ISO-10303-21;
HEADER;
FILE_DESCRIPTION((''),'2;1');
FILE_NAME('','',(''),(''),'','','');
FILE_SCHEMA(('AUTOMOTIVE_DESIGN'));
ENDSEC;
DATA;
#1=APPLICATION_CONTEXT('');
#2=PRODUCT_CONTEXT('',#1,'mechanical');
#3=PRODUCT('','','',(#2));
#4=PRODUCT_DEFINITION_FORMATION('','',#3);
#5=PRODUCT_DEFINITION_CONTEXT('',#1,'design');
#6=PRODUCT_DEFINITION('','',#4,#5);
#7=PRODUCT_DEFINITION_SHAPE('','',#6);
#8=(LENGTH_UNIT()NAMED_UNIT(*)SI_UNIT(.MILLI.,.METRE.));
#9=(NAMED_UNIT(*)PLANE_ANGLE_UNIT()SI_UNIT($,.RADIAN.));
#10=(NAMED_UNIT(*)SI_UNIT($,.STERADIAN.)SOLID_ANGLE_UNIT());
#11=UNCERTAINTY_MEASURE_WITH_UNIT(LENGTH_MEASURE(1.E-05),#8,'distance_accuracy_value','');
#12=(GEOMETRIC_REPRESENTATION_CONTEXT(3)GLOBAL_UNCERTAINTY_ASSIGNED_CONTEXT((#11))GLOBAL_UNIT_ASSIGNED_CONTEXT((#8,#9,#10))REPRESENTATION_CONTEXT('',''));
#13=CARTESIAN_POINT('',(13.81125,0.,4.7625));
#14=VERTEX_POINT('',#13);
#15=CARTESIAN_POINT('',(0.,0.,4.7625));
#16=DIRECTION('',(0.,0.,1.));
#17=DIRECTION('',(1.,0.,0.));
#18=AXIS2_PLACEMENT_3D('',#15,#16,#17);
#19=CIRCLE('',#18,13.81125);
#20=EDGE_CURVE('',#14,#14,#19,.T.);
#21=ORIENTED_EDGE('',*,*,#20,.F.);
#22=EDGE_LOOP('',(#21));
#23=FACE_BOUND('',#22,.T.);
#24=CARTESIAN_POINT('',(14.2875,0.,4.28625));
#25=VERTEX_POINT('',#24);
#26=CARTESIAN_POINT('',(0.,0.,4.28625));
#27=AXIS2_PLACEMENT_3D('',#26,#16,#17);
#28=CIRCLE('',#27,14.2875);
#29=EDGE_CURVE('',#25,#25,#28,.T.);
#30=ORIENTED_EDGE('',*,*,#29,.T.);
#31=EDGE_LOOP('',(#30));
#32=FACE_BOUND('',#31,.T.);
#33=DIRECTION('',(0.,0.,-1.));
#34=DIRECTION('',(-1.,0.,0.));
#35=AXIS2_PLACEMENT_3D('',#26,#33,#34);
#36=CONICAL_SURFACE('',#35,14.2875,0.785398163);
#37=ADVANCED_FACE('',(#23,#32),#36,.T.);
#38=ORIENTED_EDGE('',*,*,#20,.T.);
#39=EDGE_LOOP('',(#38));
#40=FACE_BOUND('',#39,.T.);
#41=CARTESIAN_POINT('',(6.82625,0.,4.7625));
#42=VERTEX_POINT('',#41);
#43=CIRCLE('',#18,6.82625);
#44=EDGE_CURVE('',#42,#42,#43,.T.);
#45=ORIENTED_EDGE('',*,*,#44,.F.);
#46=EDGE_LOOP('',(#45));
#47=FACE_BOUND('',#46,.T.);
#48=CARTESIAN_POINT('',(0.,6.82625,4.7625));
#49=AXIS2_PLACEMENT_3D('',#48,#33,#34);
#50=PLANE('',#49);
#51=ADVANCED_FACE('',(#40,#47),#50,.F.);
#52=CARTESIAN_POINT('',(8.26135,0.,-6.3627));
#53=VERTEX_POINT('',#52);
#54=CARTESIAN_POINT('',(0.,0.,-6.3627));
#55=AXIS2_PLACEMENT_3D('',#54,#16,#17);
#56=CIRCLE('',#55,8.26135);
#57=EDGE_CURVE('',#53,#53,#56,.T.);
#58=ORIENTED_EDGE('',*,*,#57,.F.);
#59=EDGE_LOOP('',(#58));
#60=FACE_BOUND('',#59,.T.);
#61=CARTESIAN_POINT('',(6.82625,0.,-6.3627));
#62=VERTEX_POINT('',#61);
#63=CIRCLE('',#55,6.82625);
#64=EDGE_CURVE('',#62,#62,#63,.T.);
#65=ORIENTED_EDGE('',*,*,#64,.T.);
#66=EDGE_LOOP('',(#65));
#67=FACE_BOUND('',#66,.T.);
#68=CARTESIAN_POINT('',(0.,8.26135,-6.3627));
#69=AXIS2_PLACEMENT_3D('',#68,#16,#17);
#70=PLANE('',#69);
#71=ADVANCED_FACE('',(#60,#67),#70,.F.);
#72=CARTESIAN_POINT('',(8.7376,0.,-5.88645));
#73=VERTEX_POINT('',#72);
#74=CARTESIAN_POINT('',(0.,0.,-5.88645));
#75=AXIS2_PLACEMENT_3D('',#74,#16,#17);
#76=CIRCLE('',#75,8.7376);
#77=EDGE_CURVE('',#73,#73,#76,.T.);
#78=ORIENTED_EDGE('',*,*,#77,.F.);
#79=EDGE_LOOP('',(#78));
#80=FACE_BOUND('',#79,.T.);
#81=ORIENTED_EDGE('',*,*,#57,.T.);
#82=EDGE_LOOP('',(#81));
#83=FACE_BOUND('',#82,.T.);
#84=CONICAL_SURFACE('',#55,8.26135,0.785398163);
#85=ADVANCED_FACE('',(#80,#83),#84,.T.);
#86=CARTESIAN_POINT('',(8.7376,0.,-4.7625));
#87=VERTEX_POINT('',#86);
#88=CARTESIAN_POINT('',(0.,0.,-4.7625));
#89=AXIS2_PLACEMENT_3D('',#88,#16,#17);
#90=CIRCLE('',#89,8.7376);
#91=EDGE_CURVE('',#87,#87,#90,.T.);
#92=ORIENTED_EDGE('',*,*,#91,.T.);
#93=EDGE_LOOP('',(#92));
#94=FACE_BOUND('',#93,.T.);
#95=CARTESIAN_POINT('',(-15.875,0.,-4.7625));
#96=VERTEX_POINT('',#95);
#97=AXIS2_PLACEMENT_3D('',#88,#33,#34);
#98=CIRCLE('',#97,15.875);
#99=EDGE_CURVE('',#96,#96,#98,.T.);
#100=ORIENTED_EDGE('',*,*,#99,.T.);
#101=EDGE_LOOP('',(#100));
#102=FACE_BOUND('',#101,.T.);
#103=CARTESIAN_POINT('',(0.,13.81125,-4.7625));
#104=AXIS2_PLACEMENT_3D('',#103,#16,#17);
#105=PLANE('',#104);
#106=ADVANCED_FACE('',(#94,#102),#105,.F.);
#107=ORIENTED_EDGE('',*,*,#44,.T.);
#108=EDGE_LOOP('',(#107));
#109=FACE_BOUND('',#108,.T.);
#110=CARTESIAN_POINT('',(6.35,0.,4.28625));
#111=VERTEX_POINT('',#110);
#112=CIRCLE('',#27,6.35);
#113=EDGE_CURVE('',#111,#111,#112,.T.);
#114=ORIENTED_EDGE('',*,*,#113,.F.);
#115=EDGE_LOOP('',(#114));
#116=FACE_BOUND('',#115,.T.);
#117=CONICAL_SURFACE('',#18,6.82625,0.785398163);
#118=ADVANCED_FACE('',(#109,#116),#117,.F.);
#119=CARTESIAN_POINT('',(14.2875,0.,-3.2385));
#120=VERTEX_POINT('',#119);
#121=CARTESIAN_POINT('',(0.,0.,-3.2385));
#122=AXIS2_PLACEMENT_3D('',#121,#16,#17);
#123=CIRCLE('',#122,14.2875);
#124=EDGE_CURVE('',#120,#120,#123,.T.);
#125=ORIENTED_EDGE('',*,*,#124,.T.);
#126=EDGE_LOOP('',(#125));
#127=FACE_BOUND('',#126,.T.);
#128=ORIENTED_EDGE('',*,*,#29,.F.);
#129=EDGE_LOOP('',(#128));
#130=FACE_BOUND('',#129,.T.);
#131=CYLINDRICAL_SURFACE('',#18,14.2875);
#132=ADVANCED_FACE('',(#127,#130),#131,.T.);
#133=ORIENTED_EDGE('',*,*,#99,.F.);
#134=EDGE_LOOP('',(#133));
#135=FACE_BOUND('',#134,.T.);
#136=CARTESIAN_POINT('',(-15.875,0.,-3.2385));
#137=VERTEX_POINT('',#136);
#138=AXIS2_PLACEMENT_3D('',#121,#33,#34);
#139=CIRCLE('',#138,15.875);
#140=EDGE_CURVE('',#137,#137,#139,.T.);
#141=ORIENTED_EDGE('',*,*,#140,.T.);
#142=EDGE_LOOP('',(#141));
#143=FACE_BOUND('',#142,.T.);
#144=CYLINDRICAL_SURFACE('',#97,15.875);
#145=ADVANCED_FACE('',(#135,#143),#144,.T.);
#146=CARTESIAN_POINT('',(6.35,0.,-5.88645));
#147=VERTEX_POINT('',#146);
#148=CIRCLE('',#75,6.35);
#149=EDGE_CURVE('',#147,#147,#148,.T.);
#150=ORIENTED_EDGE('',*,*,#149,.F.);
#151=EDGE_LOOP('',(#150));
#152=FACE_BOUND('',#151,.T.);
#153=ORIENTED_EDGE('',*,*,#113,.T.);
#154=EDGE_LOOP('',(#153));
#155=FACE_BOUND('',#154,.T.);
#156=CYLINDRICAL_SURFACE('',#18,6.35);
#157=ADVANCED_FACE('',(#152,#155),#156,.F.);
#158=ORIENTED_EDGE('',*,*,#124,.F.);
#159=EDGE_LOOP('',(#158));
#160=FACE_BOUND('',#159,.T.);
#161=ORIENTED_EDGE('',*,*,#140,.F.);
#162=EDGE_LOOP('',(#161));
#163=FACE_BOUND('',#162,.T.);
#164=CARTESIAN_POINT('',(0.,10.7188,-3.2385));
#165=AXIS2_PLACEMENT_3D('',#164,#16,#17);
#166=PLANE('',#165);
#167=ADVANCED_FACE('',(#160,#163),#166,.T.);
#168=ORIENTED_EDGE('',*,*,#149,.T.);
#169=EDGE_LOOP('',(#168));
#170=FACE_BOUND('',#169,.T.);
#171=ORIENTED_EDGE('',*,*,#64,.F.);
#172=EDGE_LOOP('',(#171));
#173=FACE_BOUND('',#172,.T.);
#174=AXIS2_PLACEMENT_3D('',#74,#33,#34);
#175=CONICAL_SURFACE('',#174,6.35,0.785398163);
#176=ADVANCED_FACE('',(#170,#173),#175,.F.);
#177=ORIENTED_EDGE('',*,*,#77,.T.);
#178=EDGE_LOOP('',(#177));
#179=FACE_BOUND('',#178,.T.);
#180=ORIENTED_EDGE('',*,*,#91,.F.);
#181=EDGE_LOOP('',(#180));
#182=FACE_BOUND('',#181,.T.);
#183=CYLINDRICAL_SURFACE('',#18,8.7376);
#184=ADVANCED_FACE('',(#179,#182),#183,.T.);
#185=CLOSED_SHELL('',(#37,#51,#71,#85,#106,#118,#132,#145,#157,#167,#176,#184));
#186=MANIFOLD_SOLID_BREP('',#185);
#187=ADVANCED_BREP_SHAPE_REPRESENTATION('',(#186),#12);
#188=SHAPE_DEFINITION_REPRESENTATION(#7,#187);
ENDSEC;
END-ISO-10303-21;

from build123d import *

# Parameters (mm, degrees)
SKETCH6_W           = 1.524
SKETCH6_H           = 5.1562
CIRPATTERN1_COUNT   = 12
SKETCH7_R           = 13.81125
SKETCH7_R_2         = 6.82625
BOSS_EXTRUDE1_DEPTH = 9.525


with BuildPart() as part:
    # Sketch1 → Revolve1 (revolve)
    with BuildSketch(Plane(origin=(0, 0, 0), x_dir=(0, 0, -1), z_dir=(1, 0, 0)), mode=Mode.PRIVATE) as revolve1_sk:
        with BuildLine():
            Line((4.28625, 14.2875), (-4.28625, 14.2875))
            Line((-4.28625, 14.2875), (-4.7625, 13.81125))
            Line((-4.7625, 13.81125), (-4.7625, 10.7188))
            Line((-4.7625, 10.7188), (-2.347405, 10.7188))
            ThreePointArc((-2.347405, 10.7188), (0, 12.7), (2.347405, 10.7188))
            Line((2.347405, 10.7188), (4.7625, 10.7188))
            Line((4.7625, 10.7188), (4.7625, 13.81125))
            Line((4.7625, 13.81125), (4.28625, 14.2875))
        make_face()
    revolve(revolve1_sk.sketch.rotate(Axis((0, 0, 4.7625), (0, 0, -1)), 90), axis=Axis((0, 0, 4.7625), (0, 0, -1)))

    # Sketch6 → Revolve6 (revolve)
    with BuildSketch(Plane(origin=(0, 0, 0), x_dir=(0, 0, -1), z_dir=(1, 0, 0)), mode=Mode.PRIVATE) as revolve6_sk:
        with Locations((4.0005, 13.2969)):
            Rectangle(SKETCH6_W, SKETCH6_H)
    revolve(revolve6_sk.sketch.rotate(Axis((0, 0, -4.7625), (0, 0, 1)), 270), axis=Axis((0, 0, -4.7625), (0, 0, 1)))



with BuildPart() as body_2:
    # Sketch3 → Revolve3 (revolve)
    with BuildSketch(Plane(origin=(0, 0, 0), x_dir=(0, 0, -1), z_dir=(1, 0, 0)), mode=Mode.PRIVATE) as revolve3_sk:
        with BuildLine():
            Line((-4.7625, 6.82625), (-4.7625, 8.26135))
            Line((-4.7625, 8.26135), (-4.28625, 8.7376))
            Line((-4.28625, 8.7376), (-1.780538, 8.7376))
            ThreePointArc((-1.780538, 8.7376), (0, 7.9375), (1.780538, 8.7376))
            Line((1.780538, 8.7376), (5.88645, 8.7376))
            Line((5.88645, 8.7376), (6.3627, 8.26135))
            Line((6.3627, 8.26135), (6.3627, 6.82625))
            Line((6.3627, 6.82625), (5.88645, 6.35))
            Line((5.88645, 6.35), (-4.28625, 6.35))
            Line((-4.28625, 6.35), (-4.7625, 6.82625))
        make_face()
    revolve(revolve3_sk.sketch.rotate(Axis((0, 0, 4.7625), (0, 0, -1)), 90), axis=Axis((0, 0, 4.7625), (0, 0, -1)))


with BuildPart() as body_3:
    # Sketch4 → Revolve4 (revolve)
    with BuildSketch(Plane(origin=(0, 0, 0), x_dir=(0, 0, -1), z_dir=(1, 0, 0))):
        with BuildLine():
            Line((-2.38125, 10.31875), (2.38125, 10.31875))
            ThreePointArc((2.38125, 10.31875), (0, 12.7), (-2.38125, 10.31875))
        make_face()
    revolve(axis=Axis((0, 10.31875, 2.38125), (0, 0, -1)))


with BuildPart() as cirpattern1_1:
    # CirPattern1: pattern copy
    add(body_3.part.rotate(Axis((0, 0, 0), (0, 0, 1)), 1 * 360 / CIRPATTERN1_COUNT))


with BuildPart() as cirpattern1_2:
    # CirPattern1: pattern copy
    add(body_3.part.rotate(Axis((0, 0, 0), (0, 0, 1)), 2 * 360 / CIRPATTERN1_COUNT))


with BuildPart() as cirpattern1_3:
    # CirPattern1: pattern copy
    add(body_3.part.rotate(Axis((0, 0, 0), (0, 0, 1)), 3 * 360 / CIRPATTERN1_COUNT))


with BuildPart() as cirpattern1_4:
    # CirPattern1: pattern copy
    add(body_3.part.rotate(Axis((0, 0, 0), (0, 0, 1)), 4 * 360 / CIRPATTERN1_COUNT))


with BuildPart() as cirpattern1_5:
    # CirPattern1: pattern copy
    add(body_3.part.rotate(Axis((0, 0, 0), (0, 0, 1)), 5 * 360 / CIRPATTERN1_COUNT))


with BuildPart() as cirpattern1_6:
    # CirPattern1: pattern copy
    add(body_3.part.rotate(Axis((0, 0, 0), (0, 0, 1)), 6 * 360 / CIRPATTERN1_COUNT))


with BuildPart() as cirpattern1_7:
    # CirPattern1: pattern copy
    add(body_3.part.rotate(Axis((0, 0, 0), (0, 0, 1)), 7 * 360 / CIRPATTERN1_COUNT))


with BuildPart() as cirpattern1_8:
    # CirPattern1: pattern copy
    add(body_3.part.rotate(Axis((0, 0, 0), (0, 0, 1)), 8 * 360 / CIRPATTERN1_COUNT))


with BuildPart() as cirpattern1_9:
    # CirPattern1: pattern copy
    add(body_3.part.rotate(Axis((0, 0, 0), (0, 0, 1)), 9 * 360 / CIRPATTERN1_COUNT))


with BuildPart() as cirpattern1_10:
    # CirPattern1: pattern copy
    add(body_3.part.rotate(Axis((0, 0, 0), (0, 0, 1)), 10 * 360 / CIRPATTERN1_COUNT))


with BuildPart() as cirpattern1_11:
    # CirPattern1: pattern copy
    add(body_3.part.rotate(Axis((0, 0, 0), (0, 0, 1)), 11 * 360 / CIRPATTERN1_COUNT))


with BuildPart() as part_1:
    add(part.part)

    add(body_2.part)  # Boss-Extrude1 merges body 2

    add(body_3.part)  # Boss-Extrude1 merges body 3

    add(cirpattern1_1.part)  # Boss-Extrude1 merges CirPattern1_1

    add(cirpattern1_2.part)  # Boss-Extrude1 merges CirPattern1_2

    add(cirpattern1_3.part)  # Boss-Extrude1 merges CirPattern1_3

    add(cirpattern1_4.part)  # Boss-Extrude1 merges CirPattern1_4

    add(cirpattern1_5.part)  # Boss-Extrude1 merges CirPattern1_5

    add(cirpattern1_6.part)  # Boss-Extrude1 merges CirPattern1_6

    add(cirpattern1_7.part)  # Boss-Extrude1 merges CirPattern1_7

    add(cirpattern1_8.part)  # Boss-Extrude1 merges CirPattern1_8

    add(cirpattern1_9.part)  # Boss-Extrude1 merges CirPattern1_9

    add(cirpattern1_10.part)  # Boss-Extrude1 merges CirPattern1_10

    add(cirpattern1_11.part)  # Boss-Extrude1 merges CirPattern1_11
    # Sketch7 → Boss-Extrude1 (add)
    with BuildSketch(Plane.XY.offset(4.7625)):
        Circle(SKETCH7_R)
        Circle(SKETCH7_R_2, mode=Mode.SUBTRACT)
    extrude(amount=-BOSS_EXTRUDE1_DEPTH)


solid = part_1.part
